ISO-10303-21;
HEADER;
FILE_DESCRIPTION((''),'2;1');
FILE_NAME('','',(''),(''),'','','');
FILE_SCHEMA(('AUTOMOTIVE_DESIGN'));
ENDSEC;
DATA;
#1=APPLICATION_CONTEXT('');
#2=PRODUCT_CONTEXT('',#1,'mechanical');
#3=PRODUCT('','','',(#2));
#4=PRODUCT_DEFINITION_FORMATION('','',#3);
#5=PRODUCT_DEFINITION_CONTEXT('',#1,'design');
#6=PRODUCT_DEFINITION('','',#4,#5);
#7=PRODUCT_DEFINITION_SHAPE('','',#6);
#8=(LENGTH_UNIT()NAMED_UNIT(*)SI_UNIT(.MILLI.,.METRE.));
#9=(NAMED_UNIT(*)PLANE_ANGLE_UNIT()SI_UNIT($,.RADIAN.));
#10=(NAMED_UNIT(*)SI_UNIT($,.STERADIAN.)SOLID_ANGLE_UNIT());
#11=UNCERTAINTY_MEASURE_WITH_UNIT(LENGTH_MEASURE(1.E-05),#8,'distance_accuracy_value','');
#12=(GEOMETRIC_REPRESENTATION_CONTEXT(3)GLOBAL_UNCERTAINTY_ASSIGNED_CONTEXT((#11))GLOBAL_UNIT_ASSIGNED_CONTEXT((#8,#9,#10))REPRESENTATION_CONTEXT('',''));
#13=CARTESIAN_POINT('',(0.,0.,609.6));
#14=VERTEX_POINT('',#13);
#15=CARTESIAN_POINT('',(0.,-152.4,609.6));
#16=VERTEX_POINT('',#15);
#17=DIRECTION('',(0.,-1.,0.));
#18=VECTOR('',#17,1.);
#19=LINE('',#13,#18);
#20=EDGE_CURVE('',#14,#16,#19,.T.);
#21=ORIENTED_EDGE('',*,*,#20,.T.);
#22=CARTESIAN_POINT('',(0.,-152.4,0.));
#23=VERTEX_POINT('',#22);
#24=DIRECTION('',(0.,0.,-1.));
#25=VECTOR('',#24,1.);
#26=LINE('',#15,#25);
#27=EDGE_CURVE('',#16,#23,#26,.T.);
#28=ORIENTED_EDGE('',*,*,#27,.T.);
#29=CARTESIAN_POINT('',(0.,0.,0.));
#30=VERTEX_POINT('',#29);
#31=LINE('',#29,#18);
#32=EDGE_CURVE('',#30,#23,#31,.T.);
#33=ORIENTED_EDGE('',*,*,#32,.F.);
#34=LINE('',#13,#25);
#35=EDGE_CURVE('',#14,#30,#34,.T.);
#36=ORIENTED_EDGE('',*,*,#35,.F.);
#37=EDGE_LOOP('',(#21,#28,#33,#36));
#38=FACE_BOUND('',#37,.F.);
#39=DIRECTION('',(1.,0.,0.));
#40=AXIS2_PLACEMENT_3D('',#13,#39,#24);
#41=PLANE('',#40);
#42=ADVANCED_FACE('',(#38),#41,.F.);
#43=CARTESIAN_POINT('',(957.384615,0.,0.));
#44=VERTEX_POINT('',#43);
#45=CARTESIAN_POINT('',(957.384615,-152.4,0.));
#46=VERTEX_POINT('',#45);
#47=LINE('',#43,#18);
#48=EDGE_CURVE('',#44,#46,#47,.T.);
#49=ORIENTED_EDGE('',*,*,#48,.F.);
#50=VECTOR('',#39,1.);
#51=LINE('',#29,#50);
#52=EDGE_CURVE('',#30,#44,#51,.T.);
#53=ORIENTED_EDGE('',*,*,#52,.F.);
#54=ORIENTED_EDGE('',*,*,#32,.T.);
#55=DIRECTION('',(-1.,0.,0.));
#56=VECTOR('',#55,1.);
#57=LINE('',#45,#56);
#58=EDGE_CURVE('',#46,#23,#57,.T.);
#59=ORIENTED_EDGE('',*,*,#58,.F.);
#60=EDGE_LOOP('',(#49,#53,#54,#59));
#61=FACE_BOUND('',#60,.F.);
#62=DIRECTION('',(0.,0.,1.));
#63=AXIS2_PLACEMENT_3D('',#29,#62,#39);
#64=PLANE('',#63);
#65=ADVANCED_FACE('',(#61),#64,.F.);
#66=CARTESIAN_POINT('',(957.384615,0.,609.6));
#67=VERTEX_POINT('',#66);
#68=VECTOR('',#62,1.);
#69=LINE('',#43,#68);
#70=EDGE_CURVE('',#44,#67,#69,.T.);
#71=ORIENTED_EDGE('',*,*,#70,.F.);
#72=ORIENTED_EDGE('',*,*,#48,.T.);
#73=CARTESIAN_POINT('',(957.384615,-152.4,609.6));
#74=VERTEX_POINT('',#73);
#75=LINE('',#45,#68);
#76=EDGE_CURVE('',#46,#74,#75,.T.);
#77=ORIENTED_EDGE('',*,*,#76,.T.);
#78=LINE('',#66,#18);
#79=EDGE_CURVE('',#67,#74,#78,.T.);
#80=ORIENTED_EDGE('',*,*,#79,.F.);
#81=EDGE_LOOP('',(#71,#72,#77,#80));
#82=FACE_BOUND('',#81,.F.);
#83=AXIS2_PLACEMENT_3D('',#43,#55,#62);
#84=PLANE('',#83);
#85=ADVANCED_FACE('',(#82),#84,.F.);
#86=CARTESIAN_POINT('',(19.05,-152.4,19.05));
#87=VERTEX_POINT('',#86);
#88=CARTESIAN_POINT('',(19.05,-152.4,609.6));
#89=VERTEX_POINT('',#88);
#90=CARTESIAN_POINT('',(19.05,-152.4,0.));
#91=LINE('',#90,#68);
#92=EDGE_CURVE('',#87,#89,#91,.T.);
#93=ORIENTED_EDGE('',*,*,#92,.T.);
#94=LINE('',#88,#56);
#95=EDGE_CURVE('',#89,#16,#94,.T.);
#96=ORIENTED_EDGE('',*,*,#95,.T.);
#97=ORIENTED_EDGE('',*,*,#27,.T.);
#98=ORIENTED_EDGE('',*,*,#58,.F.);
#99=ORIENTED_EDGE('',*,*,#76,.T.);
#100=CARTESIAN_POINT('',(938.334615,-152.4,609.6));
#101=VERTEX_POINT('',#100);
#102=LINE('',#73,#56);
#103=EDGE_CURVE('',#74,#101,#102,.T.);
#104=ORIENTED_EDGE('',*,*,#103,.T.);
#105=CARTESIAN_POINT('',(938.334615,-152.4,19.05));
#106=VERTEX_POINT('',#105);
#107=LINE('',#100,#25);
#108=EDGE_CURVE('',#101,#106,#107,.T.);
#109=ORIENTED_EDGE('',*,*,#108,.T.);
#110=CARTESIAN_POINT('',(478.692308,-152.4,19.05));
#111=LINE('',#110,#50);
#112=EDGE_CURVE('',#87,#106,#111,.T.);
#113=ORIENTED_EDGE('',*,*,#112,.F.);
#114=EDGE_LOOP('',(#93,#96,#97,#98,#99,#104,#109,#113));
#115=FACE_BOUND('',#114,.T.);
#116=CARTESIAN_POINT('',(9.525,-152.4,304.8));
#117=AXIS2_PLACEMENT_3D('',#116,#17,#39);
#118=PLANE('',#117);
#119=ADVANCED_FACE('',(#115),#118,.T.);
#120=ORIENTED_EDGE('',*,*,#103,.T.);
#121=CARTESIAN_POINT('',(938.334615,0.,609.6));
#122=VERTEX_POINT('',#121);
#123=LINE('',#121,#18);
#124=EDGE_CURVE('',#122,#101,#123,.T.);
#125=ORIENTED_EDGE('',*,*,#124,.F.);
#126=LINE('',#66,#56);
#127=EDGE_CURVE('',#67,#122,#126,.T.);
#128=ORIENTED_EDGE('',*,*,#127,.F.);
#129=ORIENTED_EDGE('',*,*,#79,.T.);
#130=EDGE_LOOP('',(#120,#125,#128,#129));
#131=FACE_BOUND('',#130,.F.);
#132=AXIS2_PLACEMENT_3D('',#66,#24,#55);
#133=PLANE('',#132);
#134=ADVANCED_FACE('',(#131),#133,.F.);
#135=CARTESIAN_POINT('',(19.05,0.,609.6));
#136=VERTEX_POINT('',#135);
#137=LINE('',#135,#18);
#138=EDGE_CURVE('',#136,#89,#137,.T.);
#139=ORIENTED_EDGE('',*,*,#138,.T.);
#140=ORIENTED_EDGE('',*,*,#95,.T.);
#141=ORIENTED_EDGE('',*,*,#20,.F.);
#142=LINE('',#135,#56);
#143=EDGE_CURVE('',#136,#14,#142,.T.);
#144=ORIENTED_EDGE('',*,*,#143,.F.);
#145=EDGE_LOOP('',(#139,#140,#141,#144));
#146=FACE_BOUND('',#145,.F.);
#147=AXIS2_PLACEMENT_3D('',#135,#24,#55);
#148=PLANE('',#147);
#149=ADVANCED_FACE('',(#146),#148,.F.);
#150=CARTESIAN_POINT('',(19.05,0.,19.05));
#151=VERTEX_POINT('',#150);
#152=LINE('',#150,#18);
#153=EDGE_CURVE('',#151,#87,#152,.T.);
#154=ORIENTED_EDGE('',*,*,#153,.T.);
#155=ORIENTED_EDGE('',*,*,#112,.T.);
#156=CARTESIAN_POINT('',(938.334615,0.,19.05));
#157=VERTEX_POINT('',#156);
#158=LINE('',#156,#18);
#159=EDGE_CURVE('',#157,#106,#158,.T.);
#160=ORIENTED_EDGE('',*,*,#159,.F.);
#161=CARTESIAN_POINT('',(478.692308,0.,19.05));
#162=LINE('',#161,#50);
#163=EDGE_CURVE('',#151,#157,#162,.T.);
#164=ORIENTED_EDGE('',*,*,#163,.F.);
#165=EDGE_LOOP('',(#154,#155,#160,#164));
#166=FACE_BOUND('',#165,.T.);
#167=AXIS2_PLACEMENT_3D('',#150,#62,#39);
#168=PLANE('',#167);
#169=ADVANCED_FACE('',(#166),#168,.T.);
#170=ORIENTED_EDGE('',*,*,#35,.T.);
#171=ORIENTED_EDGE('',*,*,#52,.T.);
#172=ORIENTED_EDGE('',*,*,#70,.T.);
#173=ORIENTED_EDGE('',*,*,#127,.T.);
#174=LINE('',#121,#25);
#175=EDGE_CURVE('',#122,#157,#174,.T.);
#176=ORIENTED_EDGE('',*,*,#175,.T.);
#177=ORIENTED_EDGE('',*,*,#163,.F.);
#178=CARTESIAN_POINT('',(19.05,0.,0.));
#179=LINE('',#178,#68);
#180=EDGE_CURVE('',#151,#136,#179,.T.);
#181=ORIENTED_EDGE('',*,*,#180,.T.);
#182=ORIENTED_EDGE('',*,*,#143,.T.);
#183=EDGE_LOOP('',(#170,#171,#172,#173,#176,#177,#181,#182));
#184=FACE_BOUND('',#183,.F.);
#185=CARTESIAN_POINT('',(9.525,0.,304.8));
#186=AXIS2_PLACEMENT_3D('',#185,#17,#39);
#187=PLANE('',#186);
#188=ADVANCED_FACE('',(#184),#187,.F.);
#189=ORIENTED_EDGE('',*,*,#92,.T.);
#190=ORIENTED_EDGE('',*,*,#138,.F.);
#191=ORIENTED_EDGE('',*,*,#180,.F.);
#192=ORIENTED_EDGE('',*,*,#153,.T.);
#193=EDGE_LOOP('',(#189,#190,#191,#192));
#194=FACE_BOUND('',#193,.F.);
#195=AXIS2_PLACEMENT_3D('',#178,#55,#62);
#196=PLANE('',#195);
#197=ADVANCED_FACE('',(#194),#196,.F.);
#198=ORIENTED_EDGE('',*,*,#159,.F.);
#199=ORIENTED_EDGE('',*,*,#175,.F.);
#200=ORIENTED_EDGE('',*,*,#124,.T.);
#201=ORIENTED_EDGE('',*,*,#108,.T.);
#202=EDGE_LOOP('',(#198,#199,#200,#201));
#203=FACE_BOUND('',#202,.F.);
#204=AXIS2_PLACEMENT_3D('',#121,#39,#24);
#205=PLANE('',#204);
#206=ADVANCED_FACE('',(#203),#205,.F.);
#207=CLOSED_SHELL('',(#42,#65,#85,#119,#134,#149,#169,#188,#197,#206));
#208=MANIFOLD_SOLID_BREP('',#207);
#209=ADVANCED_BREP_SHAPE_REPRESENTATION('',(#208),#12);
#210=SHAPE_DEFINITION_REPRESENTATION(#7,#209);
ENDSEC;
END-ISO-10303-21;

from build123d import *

# Parameters (mm, degrees)
F1_DEPTH = 152.4
F0_W     = 919.2846153846
F0_H     = 19.05
F2_DEPTH = 152.4
F3_DEPTH = 152.4


with BuildPart() as f1:
    # F0 (on Front) → F1 (new body)
    with BuildSketch(Plane.XZ):
        Polygon((938.3346153846, 19.05), (938.3346153846, 0), (957.3846153846, 0), (957.3846153846, 609.6), (938.3346153846, 609.6), align=None)
    extrude(amount=F1_DEPTH)

    # F0 (on Front) → F2 (join, through all)
    with BuildSketch(Plane.XZ):
        with Locations((478.6923076923, 9.525)):
            Rectangle(F0_W, F0_H)
    extrude(amount=F2_DEPTH)

    # F0 (on Front) → F3 (join, through all)
    with BuildSketch(Plane.XZ):
        Polygon((0, 609.6), (0, 0), (19.05, 0), (19.05, 19.05), (19.05, 609.6), align=None)
    extrude(amount=F3_DEPTH)


solid = f1.part
